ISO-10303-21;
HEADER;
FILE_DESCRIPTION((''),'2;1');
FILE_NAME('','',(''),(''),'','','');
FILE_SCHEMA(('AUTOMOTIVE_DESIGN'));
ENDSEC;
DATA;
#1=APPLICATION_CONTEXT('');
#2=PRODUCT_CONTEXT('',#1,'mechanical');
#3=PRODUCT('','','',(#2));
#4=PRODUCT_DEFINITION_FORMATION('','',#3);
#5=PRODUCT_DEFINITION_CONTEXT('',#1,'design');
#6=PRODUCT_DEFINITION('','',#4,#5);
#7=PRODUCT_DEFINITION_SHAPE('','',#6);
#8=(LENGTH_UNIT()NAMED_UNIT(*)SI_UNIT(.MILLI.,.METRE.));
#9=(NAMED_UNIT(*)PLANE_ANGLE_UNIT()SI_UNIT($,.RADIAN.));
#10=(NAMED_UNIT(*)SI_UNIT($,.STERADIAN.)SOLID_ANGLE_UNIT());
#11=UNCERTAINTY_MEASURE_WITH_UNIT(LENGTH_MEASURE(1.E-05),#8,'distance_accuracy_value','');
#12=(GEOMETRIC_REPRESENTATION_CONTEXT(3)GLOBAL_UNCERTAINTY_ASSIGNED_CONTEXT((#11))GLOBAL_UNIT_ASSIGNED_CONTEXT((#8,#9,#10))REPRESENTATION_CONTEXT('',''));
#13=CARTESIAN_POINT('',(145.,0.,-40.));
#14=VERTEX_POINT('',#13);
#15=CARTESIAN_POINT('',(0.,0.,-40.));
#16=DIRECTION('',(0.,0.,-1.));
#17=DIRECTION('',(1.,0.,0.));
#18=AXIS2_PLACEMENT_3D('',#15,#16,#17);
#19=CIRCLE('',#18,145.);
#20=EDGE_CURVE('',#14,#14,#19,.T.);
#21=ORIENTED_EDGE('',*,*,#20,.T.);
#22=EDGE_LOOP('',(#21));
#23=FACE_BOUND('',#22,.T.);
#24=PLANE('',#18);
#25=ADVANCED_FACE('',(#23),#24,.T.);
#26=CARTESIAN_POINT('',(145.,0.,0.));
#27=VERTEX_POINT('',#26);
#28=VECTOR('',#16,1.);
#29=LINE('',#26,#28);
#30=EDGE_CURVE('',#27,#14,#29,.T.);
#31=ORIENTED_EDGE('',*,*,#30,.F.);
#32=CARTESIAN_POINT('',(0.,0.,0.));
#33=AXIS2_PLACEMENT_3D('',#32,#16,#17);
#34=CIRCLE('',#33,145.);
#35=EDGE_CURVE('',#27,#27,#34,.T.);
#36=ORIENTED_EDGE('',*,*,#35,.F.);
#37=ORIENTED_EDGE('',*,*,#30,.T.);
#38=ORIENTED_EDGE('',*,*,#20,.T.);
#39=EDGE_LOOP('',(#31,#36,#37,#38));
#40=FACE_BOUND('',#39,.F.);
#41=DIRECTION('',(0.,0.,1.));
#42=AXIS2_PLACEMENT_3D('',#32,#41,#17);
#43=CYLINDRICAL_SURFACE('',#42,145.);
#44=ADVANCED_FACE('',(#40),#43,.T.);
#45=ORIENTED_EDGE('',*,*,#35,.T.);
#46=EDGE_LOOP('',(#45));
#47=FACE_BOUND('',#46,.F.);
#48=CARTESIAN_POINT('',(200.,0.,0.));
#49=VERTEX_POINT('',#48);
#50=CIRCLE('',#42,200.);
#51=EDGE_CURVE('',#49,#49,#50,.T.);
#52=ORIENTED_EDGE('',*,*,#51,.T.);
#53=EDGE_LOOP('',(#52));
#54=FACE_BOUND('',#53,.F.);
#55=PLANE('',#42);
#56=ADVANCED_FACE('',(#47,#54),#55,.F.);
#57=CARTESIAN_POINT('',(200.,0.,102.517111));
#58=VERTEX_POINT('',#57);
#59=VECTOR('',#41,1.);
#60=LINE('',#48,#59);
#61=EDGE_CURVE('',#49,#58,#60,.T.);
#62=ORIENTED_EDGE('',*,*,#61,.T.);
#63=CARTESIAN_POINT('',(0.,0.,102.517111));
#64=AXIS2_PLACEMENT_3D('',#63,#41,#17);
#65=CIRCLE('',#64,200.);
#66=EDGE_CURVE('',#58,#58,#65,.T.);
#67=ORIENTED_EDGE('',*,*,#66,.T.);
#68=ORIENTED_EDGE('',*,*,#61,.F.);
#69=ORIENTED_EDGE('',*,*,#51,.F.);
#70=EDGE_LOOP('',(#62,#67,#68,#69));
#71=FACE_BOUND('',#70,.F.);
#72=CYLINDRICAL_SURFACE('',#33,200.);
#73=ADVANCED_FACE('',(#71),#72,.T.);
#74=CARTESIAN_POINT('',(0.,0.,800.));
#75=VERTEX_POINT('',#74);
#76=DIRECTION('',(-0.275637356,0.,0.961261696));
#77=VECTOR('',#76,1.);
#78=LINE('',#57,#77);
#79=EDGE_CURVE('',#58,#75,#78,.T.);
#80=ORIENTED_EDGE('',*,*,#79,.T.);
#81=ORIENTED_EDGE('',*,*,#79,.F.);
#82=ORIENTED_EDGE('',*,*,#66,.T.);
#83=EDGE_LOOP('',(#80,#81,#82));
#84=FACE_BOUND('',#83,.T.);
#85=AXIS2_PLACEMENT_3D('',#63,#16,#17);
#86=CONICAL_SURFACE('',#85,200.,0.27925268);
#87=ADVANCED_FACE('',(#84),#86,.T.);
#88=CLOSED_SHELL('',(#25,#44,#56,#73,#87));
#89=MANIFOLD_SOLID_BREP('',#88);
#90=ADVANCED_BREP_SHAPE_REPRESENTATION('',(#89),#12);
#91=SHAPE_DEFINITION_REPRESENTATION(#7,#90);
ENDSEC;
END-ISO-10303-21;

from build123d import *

# Parameters (mm, degrees)
F0_R     = 200
F1_DEPTH = 800
F2_SIZE2 = 200
F2_SIZE  = 697.4828887682
F3_R     = 145
F4_DEPTH = 40


with BuildPart() as f1:
    # F0 (on Top) → F1 (new body)
    with BuildSketch(Plane.XY):
        Circle(F0_R)
    extrude(amount=F1_DEPTH)

    # F2
    f2_edges = [f1.edges().sort_by_distance(p)[0] for p in [
        (-200, 0, 800),
    ]]
    f2_side = f1.faces().sort_by_distance((-200, 0, 400))[0]
    chamfer(f2_edges, length=F2_SIZE, length2=F2_SIZE2, reference=f2_side)

    # F3 (on face) → F4 (join)
    with BuildSketch(Plane(origin=(0, 0, 0), x_dir=(1, 0, 0), z_dir=(0, 0, -1))):
        Circle(F3_R)
    extrude(amount=F4_DEPTH)


solid = f1.part
